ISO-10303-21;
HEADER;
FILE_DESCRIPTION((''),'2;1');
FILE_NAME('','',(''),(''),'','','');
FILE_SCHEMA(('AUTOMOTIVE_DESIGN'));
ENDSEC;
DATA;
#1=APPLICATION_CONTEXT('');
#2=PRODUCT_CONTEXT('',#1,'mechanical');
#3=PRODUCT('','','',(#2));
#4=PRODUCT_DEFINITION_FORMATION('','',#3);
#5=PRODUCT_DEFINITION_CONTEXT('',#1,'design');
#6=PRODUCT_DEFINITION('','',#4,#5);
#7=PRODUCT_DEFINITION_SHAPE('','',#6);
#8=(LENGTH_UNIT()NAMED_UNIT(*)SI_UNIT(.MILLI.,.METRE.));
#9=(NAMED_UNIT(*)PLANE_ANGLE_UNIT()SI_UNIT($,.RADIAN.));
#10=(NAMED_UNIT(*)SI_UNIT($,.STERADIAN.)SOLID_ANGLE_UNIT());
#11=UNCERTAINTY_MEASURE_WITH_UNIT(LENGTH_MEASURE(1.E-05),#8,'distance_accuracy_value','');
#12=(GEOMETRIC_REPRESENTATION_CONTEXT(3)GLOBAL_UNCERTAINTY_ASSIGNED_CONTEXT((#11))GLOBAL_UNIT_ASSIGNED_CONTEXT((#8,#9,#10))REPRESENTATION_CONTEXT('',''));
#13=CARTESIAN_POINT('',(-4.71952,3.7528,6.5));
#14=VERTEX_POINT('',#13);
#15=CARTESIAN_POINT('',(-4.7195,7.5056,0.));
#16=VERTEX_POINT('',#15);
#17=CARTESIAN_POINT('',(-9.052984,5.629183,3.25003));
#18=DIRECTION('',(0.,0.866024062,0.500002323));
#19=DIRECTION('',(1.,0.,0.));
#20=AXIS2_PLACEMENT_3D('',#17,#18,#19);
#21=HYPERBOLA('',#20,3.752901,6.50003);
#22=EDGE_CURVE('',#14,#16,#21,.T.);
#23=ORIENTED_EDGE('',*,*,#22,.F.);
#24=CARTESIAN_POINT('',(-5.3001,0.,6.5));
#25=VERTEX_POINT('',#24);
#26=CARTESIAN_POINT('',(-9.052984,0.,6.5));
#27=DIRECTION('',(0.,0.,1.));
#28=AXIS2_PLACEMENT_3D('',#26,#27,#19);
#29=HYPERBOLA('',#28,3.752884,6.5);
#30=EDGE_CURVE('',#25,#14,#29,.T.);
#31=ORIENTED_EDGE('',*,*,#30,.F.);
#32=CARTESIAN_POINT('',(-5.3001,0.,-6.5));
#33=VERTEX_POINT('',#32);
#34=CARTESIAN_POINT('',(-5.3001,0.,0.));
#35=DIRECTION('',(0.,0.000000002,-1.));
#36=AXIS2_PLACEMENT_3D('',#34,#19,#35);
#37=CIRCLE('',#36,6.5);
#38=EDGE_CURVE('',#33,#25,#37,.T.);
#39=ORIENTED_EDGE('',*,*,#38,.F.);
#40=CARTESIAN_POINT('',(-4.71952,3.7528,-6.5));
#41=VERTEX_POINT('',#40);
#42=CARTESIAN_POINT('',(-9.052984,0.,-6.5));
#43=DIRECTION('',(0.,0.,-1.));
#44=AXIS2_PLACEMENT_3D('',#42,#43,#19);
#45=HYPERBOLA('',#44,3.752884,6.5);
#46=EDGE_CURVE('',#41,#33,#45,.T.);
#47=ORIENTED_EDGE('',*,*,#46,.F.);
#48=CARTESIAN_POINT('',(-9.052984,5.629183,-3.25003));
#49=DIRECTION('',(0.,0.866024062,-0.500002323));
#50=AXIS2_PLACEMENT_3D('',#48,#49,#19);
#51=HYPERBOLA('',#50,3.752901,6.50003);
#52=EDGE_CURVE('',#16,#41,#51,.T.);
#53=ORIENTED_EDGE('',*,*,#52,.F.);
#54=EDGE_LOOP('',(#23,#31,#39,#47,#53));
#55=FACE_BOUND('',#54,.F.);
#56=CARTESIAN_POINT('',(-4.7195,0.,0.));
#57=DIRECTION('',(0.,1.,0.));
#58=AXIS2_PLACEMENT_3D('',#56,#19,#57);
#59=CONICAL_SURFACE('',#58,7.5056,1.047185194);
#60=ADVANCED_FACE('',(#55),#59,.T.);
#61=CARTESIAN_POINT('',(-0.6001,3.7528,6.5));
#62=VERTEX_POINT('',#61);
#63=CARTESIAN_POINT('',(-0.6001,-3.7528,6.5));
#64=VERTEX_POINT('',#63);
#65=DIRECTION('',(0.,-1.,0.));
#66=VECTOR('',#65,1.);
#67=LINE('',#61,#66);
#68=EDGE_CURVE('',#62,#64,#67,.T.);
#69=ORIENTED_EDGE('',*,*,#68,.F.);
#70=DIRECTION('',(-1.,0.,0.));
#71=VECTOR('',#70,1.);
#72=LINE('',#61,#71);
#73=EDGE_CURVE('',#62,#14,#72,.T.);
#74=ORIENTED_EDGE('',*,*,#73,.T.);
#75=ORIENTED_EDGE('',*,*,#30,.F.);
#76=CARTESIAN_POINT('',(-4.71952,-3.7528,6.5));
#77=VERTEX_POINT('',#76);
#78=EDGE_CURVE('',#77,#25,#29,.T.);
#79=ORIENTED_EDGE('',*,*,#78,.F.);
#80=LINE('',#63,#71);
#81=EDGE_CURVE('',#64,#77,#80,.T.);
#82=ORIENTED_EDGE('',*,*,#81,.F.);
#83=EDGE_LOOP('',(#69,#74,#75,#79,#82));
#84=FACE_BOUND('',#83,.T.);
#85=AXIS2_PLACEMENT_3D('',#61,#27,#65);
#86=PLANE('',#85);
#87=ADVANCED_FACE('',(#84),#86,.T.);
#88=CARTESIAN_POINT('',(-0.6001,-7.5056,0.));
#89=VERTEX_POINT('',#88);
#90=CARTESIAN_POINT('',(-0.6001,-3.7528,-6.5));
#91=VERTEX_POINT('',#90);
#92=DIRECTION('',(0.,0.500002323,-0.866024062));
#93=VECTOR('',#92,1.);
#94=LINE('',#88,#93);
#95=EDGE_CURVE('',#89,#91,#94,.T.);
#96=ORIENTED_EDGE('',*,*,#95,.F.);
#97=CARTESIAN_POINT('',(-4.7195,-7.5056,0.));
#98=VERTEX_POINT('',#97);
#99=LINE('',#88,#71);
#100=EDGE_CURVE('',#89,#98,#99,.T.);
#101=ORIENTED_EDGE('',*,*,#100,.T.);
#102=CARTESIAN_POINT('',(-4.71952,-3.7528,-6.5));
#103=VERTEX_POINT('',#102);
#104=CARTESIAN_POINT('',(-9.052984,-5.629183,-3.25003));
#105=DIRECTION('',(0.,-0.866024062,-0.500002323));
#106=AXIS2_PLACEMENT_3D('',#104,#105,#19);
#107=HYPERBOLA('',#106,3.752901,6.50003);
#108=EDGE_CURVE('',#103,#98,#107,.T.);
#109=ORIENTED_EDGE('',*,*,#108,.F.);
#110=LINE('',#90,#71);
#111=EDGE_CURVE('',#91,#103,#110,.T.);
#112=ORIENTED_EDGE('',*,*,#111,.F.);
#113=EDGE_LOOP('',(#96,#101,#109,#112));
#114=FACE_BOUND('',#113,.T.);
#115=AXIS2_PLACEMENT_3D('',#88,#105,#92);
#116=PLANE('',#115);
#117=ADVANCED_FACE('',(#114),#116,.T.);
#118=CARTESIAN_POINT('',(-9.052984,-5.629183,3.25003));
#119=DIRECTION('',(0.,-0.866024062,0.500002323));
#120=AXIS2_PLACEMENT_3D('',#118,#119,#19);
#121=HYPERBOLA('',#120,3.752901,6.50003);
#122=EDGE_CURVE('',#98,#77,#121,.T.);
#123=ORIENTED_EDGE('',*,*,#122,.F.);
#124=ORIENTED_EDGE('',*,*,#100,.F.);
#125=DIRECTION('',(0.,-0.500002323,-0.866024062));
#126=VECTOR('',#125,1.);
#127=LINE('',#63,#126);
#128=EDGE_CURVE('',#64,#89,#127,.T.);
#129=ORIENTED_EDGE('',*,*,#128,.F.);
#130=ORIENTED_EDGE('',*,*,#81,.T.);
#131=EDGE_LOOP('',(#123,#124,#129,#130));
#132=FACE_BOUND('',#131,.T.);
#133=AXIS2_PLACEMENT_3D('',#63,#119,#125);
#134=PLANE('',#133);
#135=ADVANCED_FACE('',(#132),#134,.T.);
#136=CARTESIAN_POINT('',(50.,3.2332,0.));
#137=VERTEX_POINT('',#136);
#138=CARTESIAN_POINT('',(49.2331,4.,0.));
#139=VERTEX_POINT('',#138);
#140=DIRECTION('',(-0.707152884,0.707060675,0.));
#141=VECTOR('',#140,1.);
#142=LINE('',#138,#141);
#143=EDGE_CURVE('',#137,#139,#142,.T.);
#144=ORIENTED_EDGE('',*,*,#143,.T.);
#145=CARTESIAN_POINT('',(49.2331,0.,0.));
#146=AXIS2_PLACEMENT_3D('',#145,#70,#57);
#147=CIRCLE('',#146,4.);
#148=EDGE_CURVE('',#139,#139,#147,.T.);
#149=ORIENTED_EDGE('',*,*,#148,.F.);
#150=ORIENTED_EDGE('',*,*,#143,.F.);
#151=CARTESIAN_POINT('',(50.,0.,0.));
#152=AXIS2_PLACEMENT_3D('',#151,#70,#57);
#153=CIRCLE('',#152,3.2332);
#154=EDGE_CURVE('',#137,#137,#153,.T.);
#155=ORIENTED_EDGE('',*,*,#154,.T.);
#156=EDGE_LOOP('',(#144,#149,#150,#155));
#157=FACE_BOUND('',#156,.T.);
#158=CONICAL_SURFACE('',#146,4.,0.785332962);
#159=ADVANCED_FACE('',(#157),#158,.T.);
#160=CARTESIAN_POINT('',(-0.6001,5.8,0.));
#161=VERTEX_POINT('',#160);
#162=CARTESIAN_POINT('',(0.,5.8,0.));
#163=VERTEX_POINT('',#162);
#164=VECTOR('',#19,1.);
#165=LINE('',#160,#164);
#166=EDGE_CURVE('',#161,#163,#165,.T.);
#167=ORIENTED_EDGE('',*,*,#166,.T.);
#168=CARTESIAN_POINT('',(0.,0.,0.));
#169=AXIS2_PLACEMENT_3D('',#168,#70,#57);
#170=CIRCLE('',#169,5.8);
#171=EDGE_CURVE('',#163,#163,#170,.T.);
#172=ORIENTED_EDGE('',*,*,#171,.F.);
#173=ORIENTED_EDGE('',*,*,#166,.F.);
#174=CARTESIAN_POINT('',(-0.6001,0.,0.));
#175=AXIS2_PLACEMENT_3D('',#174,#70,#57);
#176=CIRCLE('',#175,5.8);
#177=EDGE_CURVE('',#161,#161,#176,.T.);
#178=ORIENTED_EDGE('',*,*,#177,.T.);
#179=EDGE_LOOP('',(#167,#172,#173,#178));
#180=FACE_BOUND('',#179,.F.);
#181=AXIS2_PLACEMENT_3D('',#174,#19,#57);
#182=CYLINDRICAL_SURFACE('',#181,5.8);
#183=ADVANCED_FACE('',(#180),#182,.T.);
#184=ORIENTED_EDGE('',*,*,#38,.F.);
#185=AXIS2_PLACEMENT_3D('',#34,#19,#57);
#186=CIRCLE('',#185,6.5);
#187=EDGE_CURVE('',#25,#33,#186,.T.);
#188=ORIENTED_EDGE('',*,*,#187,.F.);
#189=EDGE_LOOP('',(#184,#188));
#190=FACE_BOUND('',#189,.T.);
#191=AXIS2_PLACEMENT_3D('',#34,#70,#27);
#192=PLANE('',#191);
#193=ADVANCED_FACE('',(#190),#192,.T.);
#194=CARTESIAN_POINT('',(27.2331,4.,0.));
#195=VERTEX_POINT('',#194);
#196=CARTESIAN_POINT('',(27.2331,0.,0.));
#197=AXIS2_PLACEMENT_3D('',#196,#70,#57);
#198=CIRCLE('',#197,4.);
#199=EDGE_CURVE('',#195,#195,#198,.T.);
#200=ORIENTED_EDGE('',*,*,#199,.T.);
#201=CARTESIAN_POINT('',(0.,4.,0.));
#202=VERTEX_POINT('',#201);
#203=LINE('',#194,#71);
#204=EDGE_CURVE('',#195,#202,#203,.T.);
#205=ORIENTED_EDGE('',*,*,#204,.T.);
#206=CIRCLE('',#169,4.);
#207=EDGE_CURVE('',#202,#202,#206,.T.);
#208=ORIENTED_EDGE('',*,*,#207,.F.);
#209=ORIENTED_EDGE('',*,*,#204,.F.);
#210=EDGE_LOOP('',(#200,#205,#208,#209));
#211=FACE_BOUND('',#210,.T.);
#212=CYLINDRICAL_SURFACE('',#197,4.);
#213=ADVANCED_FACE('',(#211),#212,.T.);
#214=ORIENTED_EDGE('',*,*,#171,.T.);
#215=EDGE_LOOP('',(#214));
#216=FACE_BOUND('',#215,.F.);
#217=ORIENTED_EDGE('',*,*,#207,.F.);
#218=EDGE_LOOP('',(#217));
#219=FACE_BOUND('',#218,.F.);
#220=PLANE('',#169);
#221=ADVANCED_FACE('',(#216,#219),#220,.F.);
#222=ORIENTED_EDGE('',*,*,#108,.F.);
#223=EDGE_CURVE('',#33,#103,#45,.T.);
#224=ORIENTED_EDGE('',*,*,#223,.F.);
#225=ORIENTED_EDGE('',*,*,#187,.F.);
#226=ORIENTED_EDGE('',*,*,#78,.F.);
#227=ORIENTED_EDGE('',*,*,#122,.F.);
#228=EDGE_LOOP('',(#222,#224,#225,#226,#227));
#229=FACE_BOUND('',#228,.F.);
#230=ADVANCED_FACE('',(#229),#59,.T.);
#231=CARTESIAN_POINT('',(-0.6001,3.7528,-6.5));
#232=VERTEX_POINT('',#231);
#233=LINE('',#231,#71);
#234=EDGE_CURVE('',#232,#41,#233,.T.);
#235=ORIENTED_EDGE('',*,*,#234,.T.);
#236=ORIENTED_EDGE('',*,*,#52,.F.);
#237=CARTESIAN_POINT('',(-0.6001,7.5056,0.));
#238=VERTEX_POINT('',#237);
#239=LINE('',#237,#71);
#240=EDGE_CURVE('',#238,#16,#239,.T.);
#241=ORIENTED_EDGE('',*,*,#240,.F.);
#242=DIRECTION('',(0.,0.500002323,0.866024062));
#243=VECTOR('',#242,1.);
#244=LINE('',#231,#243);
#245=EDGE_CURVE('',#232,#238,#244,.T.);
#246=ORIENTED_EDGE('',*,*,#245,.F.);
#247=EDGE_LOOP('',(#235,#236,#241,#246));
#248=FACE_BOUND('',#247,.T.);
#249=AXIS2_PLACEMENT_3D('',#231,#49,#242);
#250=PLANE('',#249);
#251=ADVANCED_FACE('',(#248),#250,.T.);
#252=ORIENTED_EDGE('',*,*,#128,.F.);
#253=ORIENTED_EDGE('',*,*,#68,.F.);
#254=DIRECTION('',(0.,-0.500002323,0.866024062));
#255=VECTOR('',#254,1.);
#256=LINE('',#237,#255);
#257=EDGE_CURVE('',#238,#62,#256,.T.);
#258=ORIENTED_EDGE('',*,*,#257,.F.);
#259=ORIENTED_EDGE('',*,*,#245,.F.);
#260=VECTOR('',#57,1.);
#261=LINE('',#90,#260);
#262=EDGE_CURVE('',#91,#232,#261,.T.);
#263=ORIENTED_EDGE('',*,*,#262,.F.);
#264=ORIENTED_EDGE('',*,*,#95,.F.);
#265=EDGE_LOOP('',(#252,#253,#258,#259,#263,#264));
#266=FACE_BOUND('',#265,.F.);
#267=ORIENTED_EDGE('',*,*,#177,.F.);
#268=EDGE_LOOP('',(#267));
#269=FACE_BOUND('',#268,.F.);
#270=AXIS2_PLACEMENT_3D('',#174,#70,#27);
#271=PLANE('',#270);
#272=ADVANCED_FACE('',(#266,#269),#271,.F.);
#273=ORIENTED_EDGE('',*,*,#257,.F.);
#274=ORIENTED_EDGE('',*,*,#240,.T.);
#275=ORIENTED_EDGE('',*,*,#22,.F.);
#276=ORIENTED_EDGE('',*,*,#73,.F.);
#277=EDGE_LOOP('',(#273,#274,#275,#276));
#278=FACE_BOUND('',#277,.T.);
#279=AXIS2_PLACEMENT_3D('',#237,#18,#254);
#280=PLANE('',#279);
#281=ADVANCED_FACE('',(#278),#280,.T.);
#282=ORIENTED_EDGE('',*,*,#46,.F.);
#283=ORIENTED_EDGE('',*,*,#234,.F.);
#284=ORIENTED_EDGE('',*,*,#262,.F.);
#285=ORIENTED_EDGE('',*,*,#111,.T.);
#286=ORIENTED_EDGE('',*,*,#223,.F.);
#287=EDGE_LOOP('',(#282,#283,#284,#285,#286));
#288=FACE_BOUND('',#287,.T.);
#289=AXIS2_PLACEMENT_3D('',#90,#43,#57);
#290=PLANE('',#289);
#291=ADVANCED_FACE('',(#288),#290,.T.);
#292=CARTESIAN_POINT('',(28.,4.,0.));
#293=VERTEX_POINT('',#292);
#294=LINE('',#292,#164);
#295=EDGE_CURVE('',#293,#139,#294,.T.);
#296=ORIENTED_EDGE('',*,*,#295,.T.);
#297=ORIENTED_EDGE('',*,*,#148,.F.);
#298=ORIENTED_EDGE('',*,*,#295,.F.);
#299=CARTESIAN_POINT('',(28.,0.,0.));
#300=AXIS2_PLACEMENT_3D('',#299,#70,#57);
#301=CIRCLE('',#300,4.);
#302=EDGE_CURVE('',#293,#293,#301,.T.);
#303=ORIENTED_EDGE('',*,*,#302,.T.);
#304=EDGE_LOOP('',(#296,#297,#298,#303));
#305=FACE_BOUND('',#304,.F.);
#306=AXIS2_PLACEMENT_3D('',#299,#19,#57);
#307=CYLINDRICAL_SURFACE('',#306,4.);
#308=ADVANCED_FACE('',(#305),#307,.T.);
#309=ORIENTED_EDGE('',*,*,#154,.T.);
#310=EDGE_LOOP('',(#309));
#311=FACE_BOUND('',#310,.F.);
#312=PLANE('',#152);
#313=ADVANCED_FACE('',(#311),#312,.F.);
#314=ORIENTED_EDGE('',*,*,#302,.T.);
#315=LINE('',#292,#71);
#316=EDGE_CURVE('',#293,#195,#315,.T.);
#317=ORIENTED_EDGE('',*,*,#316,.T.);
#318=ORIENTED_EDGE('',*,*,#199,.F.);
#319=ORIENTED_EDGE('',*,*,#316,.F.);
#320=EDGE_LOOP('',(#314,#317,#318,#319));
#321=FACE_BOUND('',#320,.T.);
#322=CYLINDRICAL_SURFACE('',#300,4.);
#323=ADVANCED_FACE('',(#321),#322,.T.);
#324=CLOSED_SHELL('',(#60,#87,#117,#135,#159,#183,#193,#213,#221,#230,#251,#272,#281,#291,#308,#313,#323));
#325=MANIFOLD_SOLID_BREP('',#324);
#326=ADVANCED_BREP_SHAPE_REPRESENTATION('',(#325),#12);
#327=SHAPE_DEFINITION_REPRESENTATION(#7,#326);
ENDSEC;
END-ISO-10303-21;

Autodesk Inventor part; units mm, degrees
ref_plane "YZ Plane" through (0, 0, 0) normal (1, 0, 0) x (0, 1, 0)
ref_plane "XZ Plane" through (0, 0, 0) normal (0, 1, 0) x (-1, 0, 0)
sketch "Skizze1" plane through (0, 0, 0) normal (0, 0, 1) x (1, 0, 0)
  line L0 (0, 5.8) -> (0, 4)
  line L1 (28, 4) -> (50, 4)
  line L2 (50, 4) -> (50, 0)
  line L3 (50, 0) -> (-0.6001, 0)
  line L4 (-10.7201, 0) -> (60.12, 0) projected
  line L5 (-0.6001, 0) -> (-0.6001, 5.8)
  line L6 (-0.6001, 5.8) -> (0, 5.8)
  line L7 (28, 4) -> (27.2331, 4)
  line L8 (27.2331, 4) -> (0, 4)
  line L9 (0, -1.16) -> (0, 6.96) projected
  dimension "d0" = 50
  dimension "d1" = 22
  dimension "d2" = 8
  dimension "d9" = 0.6001
  dimension "d10" = 11.6
  dimension "d13" = 0.7669
  dimension "d14" = 8
revolve "Körper" add sketch "Skizze1" angle 360 about axis through (50, 0, 0) along (-1, 0, 0)
sketch "Skizze2" plane through (-0.6001, 0, 0) normal (-1, 0, 0) x (0, 0, 1)
  line L0 (0, 7.5056) -> (6.5, 3.7528)
  line L1 (6.5, 3.7528) -> (6.5, -3.7528)
  line L2 (6.5, -3.7528) -> (0, -7.5056)
  line L3 (0, -7.5056) -> (-6.5, -3.7528)
  line L4 (-6.5, -3.7528) -> (-6.5, 3.7528)
  line L5 (-6.5, 3.7528) -> (0, 7.5056)
  point P0 (0, 0)
  point P1 (0, 0)
  dimension "d11" = 13
extrude "Kopf" add sketch "Skizze2" along normal blind 4.7
sketch "Skizze4" plane through (0, 0, 0) normal (0, 0, 1) x (1, 0, 0)
  line L0 (-5.3001, 6.5) -> (-5.3001, 7.5056)
  line L1 (-5.3001, 7.5056) -> (-4.7195, 7.5056)
  line L2 (-4.7195, 7.5056) -> (-5.3001, 6.5)
  line L3 (-6.2401, 0) -> (0.3399, 0) projected
  line L4 (-0.6001, 7.5056) -> (-5.3001, 7.5056) projected
  line L5 (-5.3001, 3.7528) -> (-5.3001, 7.5056) projected
  dimension "d5" = 30
  dimension "d19" = 13
revolve "Fase1" cut sketch "Skizze4" angle 360 about axis through (-10, 0, 0) along (1, 0, 0)
thread "Gewinde" size "M8x1.25" class "6g" standard "ISO Metric profile" length 22
chamfer "Fase2" distance 0.7668 distance2 0.7669 1 edges at (50, -4, 0) measured on face at (50, 1.2946, -0.3191)
ref_plane "Work Plane1" through (1.525, 0, 0) normal (0, 0, 1) x (1, 0, 0)
equation "\"d0\" = NLG"
equation "\"d1\" = GEL"
equation "\"d2\" = GD"
equation "\"d10\" = SD2"
equation "\"d14\" = BDM"
equation "\"d11\" = SW"
equation "\"d3\" = KOH - SD"
equation "\"d5\" = ANG1"
equation "\"d19\" = SW0"
equation "\"d15\" = GEL"
equation "\"d6\" = -0.5 * SPD + 0.5 * GD"
equation "\"NLG\" = 50"
equation "\"GD\" = NND"
equation "\"BDM\" = NND"
equation "\"KOH\" = 5.3"
equation "\"GEL\" = 22"
equation "\"SW\" = 13"
equation "\"SW0\" = SW"
equation "\"SPD\" = NND - 1.2269 * PTC"
equation "\"SD2\" = 11.6"
equation "\"SD\" = 0.6"
equation "\"ANG1\" = 30deg"
equation "\"GAL\" = 0.61345 * PTC"
equation "\"GUL\" = 0.61345 * PTC"
equation "\"RR\" = 0.4"
equation "\"GD1\" = THREADDIA - 1.2269 * PTC"
equation "\"THREADDIA\" = 8"
equation "\"TOA\" = 30deg"
equation "\"PTC\" = 1.25"
equation "\"NND\" = 8"
equation "\"E0\" = 1.155 * SW"
properties part number "DIN 931-1 - M8 x 50" material "Stahl, weich"
